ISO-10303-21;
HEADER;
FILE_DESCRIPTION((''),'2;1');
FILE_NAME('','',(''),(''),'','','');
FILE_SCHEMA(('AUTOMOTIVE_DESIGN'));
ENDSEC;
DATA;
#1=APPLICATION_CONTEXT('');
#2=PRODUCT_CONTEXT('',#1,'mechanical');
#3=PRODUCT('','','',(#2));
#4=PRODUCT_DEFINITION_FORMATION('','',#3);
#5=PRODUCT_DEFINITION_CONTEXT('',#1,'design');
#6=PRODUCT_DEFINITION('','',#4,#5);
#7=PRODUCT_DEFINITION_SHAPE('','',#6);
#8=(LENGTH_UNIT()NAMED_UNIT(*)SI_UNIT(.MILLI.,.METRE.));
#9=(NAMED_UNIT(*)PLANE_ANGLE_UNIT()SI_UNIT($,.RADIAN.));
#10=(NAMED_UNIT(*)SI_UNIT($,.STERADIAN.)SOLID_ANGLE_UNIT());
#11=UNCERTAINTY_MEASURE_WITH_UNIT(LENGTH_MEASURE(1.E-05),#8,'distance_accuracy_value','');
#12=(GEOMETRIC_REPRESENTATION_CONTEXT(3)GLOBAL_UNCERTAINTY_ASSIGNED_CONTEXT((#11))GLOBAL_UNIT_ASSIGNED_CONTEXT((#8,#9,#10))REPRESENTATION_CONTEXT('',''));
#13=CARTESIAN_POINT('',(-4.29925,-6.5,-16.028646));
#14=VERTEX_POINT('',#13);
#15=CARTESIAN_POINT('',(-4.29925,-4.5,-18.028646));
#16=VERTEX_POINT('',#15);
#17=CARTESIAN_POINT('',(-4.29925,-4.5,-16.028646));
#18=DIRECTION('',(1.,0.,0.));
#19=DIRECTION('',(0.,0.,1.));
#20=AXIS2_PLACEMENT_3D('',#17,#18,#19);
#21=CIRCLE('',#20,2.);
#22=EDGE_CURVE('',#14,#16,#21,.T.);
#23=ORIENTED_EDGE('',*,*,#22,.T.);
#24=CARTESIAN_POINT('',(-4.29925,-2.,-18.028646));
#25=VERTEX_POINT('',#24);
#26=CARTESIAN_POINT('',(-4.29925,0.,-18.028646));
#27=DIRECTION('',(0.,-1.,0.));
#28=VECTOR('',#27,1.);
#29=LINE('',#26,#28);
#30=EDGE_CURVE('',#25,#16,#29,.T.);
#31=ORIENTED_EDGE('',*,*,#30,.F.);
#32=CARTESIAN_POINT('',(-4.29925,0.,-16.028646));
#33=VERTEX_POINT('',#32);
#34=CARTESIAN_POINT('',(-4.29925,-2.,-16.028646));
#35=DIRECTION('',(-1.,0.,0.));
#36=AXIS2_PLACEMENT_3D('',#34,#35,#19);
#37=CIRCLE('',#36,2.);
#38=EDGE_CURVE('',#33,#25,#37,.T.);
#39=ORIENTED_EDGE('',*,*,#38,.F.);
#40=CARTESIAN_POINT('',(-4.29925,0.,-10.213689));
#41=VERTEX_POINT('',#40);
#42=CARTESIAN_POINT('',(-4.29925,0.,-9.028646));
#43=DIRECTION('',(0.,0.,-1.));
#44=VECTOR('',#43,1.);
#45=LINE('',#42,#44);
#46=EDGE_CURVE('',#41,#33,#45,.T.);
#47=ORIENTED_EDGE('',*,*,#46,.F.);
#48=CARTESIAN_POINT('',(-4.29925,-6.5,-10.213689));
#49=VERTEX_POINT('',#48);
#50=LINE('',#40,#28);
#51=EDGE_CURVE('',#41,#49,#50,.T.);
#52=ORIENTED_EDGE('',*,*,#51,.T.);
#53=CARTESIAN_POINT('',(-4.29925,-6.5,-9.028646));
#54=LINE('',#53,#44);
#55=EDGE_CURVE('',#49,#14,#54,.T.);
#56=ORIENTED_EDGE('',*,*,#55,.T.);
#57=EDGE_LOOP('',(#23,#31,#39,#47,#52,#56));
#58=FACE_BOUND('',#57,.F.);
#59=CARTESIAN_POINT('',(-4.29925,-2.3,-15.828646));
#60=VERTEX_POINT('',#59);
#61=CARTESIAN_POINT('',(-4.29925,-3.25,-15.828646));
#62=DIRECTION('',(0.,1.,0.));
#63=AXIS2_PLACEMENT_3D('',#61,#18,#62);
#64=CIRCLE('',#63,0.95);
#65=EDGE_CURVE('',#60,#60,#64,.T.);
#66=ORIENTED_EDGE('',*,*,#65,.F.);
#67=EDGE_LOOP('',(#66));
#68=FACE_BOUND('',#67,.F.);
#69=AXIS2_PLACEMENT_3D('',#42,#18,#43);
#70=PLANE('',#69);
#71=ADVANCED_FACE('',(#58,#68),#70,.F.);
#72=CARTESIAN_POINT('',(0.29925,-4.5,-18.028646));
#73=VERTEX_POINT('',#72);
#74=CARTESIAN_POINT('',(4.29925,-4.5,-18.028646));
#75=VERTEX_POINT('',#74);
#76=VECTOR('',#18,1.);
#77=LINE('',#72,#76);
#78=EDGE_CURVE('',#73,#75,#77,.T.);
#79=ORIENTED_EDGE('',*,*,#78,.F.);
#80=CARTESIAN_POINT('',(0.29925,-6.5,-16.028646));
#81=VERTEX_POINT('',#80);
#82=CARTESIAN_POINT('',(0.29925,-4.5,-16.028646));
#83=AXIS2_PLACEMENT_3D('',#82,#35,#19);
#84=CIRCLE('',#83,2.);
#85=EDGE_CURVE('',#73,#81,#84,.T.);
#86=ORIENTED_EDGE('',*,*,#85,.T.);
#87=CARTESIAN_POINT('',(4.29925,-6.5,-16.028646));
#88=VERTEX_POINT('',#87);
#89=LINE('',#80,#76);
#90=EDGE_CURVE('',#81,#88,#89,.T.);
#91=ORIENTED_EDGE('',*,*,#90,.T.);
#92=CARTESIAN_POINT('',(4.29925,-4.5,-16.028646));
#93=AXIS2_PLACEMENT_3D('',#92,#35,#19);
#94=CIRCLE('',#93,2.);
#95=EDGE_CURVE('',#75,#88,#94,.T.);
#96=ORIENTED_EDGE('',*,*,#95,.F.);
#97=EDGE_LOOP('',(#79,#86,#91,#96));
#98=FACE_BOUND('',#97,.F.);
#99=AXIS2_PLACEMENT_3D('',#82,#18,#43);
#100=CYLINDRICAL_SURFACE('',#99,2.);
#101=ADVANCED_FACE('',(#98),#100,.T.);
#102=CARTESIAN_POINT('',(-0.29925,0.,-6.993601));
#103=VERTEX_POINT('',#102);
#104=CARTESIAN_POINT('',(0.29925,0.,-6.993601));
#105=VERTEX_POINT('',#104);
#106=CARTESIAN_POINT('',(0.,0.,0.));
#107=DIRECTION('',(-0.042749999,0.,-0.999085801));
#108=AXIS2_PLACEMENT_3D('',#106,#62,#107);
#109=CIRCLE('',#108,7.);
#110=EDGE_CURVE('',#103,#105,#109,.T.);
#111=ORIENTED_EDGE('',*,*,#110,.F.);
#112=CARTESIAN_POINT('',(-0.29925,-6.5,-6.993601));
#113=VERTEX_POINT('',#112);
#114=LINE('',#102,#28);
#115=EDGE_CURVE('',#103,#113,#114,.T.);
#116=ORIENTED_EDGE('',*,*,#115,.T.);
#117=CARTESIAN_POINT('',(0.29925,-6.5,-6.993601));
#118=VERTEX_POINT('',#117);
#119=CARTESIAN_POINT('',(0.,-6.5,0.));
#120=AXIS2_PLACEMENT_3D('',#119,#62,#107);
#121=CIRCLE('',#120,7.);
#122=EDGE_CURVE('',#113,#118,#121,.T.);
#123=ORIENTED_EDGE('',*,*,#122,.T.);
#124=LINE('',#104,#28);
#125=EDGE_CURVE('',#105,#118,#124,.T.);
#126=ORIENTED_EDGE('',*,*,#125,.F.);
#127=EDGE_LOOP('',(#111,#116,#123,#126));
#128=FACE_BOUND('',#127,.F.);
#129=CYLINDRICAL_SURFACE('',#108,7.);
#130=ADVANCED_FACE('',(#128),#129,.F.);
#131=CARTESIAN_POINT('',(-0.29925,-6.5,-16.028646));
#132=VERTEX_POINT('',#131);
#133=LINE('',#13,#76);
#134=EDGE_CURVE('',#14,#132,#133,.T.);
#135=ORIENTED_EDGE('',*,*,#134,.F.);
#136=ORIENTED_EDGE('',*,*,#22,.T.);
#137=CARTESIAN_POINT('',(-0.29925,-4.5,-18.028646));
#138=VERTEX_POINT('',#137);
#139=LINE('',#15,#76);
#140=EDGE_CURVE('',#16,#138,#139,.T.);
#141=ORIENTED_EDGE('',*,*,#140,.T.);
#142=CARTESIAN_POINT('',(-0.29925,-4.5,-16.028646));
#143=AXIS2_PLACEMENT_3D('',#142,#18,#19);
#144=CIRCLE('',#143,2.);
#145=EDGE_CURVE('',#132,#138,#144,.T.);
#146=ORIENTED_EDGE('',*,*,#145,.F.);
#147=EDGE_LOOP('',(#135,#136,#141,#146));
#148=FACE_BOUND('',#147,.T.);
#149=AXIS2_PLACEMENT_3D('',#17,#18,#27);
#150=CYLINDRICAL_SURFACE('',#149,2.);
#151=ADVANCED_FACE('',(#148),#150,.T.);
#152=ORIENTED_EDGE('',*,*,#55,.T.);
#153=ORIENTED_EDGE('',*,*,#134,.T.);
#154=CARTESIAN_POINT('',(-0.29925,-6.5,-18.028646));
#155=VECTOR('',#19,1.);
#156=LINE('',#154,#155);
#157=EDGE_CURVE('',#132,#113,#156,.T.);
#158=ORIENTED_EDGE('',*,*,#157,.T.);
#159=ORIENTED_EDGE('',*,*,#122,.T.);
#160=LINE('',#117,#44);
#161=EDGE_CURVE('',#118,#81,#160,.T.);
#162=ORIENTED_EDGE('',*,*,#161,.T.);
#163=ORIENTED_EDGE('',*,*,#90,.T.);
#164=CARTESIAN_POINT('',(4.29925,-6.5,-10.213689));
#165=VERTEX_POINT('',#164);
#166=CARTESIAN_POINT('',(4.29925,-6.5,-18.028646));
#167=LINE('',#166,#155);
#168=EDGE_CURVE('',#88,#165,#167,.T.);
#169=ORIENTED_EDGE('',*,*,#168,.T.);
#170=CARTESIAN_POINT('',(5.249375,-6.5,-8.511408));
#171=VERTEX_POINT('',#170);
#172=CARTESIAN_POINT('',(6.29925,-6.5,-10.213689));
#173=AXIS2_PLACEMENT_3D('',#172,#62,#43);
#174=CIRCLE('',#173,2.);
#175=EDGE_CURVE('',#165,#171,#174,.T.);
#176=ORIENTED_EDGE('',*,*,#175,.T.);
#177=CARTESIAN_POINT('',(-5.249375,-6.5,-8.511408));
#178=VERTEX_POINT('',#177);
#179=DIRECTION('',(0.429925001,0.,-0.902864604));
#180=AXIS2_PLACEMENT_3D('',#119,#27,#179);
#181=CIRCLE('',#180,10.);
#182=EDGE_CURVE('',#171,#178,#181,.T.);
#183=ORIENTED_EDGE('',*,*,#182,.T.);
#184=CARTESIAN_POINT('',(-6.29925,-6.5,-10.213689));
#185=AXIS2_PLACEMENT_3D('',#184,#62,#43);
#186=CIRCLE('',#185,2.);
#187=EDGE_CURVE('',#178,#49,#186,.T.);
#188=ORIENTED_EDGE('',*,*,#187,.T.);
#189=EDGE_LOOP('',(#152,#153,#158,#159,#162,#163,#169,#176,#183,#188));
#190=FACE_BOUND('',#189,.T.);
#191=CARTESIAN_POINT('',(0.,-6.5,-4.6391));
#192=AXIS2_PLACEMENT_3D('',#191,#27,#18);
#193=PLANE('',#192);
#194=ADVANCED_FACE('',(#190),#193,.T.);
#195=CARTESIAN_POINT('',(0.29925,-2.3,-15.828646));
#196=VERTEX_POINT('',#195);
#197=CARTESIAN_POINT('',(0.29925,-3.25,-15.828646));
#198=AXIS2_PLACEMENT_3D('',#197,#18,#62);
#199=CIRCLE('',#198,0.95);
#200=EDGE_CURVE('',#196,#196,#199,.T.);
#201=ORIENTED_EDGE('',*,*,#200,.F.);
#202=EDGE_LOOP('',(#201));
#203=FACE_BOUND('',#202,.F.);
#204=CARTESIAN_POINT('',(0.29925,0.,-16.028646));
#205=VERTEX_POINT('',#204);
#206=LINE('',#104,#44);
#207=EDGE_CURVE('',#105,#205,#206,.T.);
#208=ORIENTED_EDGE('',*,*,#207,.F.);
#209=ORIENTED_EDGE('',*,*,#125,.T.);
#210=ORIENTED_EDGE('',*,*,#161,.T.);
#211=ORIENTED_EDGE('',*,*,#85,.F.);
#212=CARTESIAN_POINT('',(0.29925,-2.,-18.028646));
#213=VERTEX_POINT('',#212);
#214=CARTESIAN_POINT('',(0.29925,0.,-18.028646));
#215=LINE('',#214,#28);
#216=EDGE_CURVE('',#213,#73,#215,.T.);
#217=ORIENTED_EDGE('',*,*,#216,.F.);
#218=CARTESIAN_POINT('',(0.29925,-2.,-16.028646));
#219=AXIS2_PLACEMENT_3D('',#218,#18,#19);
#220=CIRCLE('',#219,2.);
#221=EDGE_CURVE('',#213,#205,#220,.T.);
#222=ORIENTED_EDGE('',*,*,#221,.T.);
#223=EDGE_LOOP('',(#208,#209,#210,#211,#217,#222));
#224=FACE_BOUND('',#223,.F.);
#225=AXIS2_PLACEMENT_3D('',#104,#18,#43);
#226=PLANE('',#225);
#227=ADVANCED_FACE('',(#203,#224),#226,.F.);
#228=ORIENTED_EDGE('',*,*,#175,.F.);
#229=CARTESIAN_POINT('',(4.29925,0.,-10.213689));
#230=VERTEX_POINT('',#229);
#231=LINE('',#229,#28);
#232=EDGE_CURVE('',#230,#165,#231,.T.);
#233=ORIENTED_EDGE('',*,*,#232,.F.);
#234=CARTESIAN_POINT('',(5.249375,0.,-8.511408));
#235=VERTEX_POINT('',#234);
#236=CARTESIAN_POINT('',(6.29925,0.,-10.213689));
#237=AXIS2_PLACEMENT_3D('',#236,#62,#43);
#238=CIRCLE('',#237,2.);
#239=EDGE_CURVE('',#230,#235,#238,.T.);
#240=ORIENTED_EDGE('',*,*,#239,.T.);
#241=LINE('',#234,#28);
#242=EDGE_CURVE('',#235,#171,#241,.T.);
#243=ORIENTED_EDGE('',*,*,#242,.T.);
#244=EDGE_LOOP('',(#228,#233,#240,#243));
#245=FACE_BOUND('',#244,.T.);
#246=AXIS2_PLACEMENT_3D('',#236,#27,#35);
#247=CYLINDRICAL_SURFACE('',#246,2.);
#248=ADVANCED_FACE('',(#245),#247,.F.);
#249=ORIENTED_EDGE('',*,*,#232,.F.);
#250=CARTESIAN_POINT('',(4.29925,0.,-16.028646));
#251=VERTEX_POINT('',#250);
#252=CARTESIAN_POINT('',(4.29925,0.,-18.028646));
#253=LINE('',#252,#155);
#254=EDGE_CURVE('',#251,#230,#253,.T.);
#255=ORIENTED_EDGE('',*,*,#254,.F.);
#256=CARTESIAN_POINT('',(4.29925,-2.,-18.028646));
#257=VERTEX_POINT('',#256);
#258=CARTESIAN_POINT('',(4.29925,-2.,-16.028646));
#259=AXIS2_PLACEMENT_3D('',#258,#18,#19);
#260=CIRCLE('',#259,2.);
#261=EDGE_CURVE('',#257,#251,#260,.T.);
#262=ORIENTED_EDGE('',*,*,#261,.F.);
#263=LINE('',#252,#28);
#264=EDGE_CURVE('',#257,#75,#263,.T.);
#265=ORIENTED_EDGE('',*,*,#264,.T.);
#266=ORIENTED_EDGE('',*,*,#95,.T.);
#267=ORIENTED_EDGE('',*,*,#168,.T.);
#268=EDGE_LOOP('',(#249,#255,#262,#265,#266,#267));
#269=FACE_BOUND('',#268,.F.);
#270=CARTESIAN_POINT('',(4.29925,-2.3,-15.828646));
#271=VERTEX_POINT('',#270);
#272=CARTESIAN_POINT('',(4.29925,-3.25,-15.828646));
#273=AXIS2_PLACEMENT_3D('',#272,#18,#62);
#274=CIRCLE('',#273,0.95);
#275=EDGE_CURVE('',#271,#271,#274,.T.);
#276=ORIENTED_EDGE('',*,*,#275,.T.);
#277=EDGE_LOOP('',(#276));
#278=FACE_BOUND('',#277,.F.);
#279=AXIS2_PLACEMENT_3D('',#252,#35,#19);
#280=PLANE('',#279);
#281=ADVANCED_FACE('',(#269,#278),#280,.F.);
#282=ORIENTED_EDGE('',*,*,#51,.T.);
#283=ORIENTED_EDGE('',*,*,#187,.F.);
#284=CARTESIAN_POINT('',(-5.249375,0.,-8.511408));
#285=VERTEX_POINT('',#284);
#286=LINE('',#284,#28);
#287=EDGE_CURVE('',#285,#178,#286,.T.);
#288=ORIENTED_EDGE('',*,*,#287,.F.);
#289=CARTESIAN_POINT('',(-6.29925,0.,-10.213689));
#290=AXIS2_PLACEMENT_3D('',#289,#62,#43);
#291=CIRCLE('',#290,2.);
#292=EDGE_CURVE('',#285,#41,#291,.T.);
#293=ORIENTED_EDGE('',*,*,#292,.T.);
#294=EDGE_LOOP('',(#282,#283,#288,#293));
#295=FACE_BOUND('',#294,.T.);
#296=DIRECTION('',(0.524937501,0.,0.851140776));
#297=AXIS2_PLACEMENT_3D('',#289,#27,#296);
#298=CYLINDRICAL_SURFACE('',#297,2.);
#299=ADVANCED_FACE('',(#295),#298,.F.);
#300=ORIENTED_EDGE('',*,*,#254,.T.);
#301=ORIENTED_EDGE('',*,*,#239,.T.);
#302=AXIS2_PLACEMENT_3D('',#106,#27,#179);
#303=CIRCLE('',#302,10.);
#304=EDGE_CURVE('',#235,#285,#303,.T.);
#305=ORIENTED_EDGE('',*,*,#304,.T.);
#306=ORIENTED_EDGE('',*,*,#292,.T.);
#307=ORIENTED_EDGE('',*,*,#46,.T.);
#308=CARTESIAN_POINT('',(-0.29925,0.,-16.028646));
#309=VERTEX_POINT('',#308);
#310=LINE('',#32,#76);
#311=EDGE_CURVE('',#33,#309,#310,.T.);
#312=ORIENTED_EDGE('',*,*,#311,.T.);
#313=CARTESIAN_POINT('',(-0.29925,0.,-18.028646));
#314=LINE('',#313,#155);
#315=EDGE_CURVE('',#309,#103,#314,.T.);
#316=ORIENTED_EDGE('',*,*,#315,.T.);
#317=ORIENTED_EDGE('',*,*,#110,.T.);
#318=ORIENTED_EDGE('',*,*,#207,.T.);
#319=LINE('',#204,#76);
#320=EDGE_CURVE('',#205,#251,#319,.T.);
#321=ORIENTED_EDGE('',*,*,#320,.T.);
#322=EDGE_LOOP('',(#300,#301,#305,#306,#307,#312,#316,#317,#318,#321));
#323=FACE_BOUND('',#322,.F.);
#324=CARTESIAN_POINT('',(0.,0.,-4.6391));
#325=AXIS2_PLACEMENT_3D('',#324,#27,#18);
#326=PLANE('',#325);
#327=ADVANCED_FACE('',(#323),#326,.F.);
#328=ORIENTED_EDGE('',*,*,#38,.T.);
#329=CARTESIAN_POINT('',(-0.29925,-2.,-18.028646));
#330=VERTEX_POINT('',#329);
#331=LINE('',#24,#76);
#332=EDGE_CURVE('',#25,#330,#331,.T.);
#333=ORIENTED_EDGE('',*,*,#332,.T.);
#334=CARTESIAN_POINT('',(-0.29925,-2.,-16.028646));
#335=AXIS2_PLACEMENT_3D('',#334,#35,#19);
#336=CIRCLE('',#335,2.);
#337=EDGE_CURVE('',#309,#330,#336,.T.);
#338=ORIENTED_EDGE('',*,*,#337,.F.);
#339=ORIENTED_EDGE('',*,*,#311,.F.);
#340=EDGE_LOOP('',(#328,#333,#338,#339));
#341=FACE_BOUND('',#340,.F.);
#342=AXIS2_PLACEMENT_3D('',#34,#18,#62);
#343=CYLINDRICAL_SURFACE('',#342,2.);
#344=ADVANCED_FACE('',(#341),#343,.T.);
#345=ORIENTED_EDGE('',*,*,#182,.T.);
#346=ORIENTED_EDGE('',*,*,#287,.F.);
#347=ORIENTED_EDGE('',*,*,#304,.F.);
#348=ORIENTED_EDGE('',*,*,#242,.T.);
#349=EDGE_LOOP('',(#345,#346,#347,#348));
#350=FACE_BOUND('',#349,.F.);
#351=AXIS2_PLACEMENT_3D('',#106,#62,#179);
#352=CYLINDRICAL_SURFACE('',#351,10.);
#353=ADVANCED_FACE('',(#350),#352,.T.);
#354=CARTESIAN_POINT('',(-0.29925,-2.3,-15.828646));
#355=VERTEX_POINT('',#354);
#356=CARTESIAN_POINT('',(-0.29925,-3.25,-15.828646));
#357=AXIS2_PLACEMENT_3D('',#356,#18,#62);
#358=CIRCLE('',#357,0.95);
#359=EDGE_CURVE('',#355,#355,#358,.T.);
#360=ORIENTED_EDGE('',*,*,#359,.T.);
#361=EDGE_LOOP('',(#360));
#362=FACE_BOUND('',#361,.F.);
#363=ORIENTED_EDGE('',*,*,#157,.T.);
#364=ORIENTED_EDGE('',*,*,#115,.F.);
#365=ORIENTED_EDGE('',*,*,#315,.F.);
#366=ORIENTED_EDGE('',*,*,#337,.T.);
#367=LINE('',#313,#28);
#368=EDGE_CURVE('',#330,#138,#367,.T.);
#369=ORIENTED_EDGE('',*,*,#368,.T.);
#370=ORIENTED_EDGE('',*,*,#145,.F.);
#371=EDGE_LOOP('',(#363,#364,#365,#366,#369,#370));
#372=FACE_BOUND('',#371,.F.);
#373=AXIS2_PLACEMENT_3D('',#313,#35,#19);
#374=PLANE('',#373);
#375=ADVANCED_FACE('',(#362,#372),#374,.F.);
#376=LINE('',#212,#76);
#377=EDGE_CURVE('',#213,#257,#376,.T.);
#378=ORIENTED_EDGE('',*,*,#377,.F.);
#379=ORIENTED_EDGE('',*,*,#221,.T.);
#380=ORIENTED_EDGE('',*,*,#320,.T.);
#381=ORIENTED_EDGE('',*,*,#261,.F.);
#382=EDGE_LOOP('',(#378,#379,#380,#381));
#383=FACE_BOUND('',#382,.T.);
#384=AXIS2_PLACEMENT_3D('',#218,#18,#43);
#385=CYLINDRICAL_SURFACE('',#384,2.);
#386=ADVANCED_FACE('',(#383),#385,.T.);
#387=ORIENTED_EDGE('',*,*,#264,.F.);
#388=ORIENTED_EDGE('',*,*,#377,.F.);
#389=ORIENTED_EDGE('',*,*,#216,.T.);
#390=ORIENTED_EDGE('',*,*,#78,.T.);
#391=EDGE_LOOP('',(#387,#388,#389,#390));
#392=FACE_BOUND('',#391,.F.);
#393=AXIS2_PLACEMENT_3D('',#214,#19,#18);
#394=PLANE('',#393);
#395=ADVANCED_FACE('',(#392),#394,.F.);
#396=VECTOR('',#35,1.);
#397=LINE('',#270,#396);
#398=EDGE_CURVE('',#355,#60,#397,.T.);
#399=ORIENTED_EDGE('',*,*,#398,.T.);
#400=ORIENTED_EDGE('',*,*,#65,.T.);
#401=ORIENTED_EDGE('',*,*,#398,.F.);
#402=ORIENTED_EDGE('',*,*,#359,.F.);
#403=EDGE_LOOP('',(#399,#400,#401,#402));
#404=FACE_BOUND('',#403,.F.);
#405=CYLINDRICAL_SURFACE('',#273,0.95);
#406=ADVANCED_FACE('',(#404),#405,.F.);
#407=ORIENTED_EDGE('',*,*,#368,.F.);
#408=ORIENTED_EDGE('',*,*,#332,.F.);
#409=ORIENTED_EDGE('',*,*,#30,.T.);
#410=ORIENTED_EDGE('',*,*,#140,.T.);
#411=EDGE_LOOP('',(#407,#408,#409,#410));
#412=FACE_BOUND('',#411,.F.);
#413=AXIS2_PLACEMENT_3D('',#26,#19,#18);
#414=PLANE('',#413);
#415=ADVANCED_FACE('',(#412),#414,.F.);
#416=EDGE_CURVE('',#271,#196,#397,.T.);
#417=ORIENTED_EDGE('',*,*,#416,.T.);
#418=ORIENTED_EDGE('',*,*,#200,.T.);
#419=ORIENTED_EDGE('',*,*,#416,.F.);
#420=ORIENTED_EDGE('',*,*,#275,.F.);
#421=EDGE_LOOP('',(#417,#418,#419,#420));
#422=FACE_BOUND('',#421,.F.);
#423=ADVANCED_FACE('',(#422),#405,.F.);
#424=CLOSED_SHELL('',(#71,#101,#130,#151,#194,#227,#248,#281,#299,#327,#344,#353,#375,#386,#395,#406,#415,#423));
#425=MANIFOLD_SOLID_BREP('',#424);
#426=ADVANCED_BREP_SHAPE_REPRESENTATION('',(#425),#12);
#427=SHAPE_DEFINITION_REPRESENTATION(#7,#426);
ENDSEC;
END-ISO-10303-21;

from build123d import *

# Parameters (mm, degrees)
F1_DEPTH = 6.5
F2_R     = 0.95
F3_DEPTH = 25
F4_R     = 2
F5_R     = 2


with BuildPart() as f1:
    # F0 (on Front) → F1 (new body)
    with BuildSketch(Plane.XZ):
        with BuildLine():
            Line((4.29925, -18.028646), (4.29925, -9.028646))
            ThreePointArc((4.29925, -9.028646), (0, 10), (-4.29925, -9.028646))
            Line((-4.29925, -9.028646), (-4.29925, -18.028646))
            Line((-4.29925, -18.028646), (-0.29925, -18.028646))
            Line((-0.29925, -18.028646), (-0.29925, -6.993601))
            ThreePointArc((-0.29925, -6.993601), (0, 7), (0.29925, -6.993601))
            Line((0.29925, -6.993601), (0.29925, -18.028646))
            Line((0.29925, -18.028646), (4.29925, -18.028646))
        make_face()
    extrude(amount=F1_DEPTH)

    # F2 (on face) → F3 (cut)
    with BuildSketch(Plane.YZ.offset(4.29925)):
        with Locations((-3.25, -15.828646)):
            Circle(F2_R)
    extrude(amount=-F3_DEPTH, mode=Mode.SUBTRACT)

    # F4
    f4_edges = [f1.edges().sort_by_distance(p)[0] for p in [
        (2.29925, 0, -18.028646),
        (-2.29925, 0, -18.028646),
        (2.29925, -6.5, -18.028646),
        (-2.29925, -6.5, -18.028646),
    ]]
    fillet(f4_edges, radius=F4_R)

    # F5
    f5_edges = [f1.edges().sort_by_distance(p)[0] for p in [
        (4.29925, -3.25, -9.028646),
        (-4.29925, -3.25, -9.028646),
    ]]
    fillet(f5_edges, radius=F5_R)


solid = f1.part
